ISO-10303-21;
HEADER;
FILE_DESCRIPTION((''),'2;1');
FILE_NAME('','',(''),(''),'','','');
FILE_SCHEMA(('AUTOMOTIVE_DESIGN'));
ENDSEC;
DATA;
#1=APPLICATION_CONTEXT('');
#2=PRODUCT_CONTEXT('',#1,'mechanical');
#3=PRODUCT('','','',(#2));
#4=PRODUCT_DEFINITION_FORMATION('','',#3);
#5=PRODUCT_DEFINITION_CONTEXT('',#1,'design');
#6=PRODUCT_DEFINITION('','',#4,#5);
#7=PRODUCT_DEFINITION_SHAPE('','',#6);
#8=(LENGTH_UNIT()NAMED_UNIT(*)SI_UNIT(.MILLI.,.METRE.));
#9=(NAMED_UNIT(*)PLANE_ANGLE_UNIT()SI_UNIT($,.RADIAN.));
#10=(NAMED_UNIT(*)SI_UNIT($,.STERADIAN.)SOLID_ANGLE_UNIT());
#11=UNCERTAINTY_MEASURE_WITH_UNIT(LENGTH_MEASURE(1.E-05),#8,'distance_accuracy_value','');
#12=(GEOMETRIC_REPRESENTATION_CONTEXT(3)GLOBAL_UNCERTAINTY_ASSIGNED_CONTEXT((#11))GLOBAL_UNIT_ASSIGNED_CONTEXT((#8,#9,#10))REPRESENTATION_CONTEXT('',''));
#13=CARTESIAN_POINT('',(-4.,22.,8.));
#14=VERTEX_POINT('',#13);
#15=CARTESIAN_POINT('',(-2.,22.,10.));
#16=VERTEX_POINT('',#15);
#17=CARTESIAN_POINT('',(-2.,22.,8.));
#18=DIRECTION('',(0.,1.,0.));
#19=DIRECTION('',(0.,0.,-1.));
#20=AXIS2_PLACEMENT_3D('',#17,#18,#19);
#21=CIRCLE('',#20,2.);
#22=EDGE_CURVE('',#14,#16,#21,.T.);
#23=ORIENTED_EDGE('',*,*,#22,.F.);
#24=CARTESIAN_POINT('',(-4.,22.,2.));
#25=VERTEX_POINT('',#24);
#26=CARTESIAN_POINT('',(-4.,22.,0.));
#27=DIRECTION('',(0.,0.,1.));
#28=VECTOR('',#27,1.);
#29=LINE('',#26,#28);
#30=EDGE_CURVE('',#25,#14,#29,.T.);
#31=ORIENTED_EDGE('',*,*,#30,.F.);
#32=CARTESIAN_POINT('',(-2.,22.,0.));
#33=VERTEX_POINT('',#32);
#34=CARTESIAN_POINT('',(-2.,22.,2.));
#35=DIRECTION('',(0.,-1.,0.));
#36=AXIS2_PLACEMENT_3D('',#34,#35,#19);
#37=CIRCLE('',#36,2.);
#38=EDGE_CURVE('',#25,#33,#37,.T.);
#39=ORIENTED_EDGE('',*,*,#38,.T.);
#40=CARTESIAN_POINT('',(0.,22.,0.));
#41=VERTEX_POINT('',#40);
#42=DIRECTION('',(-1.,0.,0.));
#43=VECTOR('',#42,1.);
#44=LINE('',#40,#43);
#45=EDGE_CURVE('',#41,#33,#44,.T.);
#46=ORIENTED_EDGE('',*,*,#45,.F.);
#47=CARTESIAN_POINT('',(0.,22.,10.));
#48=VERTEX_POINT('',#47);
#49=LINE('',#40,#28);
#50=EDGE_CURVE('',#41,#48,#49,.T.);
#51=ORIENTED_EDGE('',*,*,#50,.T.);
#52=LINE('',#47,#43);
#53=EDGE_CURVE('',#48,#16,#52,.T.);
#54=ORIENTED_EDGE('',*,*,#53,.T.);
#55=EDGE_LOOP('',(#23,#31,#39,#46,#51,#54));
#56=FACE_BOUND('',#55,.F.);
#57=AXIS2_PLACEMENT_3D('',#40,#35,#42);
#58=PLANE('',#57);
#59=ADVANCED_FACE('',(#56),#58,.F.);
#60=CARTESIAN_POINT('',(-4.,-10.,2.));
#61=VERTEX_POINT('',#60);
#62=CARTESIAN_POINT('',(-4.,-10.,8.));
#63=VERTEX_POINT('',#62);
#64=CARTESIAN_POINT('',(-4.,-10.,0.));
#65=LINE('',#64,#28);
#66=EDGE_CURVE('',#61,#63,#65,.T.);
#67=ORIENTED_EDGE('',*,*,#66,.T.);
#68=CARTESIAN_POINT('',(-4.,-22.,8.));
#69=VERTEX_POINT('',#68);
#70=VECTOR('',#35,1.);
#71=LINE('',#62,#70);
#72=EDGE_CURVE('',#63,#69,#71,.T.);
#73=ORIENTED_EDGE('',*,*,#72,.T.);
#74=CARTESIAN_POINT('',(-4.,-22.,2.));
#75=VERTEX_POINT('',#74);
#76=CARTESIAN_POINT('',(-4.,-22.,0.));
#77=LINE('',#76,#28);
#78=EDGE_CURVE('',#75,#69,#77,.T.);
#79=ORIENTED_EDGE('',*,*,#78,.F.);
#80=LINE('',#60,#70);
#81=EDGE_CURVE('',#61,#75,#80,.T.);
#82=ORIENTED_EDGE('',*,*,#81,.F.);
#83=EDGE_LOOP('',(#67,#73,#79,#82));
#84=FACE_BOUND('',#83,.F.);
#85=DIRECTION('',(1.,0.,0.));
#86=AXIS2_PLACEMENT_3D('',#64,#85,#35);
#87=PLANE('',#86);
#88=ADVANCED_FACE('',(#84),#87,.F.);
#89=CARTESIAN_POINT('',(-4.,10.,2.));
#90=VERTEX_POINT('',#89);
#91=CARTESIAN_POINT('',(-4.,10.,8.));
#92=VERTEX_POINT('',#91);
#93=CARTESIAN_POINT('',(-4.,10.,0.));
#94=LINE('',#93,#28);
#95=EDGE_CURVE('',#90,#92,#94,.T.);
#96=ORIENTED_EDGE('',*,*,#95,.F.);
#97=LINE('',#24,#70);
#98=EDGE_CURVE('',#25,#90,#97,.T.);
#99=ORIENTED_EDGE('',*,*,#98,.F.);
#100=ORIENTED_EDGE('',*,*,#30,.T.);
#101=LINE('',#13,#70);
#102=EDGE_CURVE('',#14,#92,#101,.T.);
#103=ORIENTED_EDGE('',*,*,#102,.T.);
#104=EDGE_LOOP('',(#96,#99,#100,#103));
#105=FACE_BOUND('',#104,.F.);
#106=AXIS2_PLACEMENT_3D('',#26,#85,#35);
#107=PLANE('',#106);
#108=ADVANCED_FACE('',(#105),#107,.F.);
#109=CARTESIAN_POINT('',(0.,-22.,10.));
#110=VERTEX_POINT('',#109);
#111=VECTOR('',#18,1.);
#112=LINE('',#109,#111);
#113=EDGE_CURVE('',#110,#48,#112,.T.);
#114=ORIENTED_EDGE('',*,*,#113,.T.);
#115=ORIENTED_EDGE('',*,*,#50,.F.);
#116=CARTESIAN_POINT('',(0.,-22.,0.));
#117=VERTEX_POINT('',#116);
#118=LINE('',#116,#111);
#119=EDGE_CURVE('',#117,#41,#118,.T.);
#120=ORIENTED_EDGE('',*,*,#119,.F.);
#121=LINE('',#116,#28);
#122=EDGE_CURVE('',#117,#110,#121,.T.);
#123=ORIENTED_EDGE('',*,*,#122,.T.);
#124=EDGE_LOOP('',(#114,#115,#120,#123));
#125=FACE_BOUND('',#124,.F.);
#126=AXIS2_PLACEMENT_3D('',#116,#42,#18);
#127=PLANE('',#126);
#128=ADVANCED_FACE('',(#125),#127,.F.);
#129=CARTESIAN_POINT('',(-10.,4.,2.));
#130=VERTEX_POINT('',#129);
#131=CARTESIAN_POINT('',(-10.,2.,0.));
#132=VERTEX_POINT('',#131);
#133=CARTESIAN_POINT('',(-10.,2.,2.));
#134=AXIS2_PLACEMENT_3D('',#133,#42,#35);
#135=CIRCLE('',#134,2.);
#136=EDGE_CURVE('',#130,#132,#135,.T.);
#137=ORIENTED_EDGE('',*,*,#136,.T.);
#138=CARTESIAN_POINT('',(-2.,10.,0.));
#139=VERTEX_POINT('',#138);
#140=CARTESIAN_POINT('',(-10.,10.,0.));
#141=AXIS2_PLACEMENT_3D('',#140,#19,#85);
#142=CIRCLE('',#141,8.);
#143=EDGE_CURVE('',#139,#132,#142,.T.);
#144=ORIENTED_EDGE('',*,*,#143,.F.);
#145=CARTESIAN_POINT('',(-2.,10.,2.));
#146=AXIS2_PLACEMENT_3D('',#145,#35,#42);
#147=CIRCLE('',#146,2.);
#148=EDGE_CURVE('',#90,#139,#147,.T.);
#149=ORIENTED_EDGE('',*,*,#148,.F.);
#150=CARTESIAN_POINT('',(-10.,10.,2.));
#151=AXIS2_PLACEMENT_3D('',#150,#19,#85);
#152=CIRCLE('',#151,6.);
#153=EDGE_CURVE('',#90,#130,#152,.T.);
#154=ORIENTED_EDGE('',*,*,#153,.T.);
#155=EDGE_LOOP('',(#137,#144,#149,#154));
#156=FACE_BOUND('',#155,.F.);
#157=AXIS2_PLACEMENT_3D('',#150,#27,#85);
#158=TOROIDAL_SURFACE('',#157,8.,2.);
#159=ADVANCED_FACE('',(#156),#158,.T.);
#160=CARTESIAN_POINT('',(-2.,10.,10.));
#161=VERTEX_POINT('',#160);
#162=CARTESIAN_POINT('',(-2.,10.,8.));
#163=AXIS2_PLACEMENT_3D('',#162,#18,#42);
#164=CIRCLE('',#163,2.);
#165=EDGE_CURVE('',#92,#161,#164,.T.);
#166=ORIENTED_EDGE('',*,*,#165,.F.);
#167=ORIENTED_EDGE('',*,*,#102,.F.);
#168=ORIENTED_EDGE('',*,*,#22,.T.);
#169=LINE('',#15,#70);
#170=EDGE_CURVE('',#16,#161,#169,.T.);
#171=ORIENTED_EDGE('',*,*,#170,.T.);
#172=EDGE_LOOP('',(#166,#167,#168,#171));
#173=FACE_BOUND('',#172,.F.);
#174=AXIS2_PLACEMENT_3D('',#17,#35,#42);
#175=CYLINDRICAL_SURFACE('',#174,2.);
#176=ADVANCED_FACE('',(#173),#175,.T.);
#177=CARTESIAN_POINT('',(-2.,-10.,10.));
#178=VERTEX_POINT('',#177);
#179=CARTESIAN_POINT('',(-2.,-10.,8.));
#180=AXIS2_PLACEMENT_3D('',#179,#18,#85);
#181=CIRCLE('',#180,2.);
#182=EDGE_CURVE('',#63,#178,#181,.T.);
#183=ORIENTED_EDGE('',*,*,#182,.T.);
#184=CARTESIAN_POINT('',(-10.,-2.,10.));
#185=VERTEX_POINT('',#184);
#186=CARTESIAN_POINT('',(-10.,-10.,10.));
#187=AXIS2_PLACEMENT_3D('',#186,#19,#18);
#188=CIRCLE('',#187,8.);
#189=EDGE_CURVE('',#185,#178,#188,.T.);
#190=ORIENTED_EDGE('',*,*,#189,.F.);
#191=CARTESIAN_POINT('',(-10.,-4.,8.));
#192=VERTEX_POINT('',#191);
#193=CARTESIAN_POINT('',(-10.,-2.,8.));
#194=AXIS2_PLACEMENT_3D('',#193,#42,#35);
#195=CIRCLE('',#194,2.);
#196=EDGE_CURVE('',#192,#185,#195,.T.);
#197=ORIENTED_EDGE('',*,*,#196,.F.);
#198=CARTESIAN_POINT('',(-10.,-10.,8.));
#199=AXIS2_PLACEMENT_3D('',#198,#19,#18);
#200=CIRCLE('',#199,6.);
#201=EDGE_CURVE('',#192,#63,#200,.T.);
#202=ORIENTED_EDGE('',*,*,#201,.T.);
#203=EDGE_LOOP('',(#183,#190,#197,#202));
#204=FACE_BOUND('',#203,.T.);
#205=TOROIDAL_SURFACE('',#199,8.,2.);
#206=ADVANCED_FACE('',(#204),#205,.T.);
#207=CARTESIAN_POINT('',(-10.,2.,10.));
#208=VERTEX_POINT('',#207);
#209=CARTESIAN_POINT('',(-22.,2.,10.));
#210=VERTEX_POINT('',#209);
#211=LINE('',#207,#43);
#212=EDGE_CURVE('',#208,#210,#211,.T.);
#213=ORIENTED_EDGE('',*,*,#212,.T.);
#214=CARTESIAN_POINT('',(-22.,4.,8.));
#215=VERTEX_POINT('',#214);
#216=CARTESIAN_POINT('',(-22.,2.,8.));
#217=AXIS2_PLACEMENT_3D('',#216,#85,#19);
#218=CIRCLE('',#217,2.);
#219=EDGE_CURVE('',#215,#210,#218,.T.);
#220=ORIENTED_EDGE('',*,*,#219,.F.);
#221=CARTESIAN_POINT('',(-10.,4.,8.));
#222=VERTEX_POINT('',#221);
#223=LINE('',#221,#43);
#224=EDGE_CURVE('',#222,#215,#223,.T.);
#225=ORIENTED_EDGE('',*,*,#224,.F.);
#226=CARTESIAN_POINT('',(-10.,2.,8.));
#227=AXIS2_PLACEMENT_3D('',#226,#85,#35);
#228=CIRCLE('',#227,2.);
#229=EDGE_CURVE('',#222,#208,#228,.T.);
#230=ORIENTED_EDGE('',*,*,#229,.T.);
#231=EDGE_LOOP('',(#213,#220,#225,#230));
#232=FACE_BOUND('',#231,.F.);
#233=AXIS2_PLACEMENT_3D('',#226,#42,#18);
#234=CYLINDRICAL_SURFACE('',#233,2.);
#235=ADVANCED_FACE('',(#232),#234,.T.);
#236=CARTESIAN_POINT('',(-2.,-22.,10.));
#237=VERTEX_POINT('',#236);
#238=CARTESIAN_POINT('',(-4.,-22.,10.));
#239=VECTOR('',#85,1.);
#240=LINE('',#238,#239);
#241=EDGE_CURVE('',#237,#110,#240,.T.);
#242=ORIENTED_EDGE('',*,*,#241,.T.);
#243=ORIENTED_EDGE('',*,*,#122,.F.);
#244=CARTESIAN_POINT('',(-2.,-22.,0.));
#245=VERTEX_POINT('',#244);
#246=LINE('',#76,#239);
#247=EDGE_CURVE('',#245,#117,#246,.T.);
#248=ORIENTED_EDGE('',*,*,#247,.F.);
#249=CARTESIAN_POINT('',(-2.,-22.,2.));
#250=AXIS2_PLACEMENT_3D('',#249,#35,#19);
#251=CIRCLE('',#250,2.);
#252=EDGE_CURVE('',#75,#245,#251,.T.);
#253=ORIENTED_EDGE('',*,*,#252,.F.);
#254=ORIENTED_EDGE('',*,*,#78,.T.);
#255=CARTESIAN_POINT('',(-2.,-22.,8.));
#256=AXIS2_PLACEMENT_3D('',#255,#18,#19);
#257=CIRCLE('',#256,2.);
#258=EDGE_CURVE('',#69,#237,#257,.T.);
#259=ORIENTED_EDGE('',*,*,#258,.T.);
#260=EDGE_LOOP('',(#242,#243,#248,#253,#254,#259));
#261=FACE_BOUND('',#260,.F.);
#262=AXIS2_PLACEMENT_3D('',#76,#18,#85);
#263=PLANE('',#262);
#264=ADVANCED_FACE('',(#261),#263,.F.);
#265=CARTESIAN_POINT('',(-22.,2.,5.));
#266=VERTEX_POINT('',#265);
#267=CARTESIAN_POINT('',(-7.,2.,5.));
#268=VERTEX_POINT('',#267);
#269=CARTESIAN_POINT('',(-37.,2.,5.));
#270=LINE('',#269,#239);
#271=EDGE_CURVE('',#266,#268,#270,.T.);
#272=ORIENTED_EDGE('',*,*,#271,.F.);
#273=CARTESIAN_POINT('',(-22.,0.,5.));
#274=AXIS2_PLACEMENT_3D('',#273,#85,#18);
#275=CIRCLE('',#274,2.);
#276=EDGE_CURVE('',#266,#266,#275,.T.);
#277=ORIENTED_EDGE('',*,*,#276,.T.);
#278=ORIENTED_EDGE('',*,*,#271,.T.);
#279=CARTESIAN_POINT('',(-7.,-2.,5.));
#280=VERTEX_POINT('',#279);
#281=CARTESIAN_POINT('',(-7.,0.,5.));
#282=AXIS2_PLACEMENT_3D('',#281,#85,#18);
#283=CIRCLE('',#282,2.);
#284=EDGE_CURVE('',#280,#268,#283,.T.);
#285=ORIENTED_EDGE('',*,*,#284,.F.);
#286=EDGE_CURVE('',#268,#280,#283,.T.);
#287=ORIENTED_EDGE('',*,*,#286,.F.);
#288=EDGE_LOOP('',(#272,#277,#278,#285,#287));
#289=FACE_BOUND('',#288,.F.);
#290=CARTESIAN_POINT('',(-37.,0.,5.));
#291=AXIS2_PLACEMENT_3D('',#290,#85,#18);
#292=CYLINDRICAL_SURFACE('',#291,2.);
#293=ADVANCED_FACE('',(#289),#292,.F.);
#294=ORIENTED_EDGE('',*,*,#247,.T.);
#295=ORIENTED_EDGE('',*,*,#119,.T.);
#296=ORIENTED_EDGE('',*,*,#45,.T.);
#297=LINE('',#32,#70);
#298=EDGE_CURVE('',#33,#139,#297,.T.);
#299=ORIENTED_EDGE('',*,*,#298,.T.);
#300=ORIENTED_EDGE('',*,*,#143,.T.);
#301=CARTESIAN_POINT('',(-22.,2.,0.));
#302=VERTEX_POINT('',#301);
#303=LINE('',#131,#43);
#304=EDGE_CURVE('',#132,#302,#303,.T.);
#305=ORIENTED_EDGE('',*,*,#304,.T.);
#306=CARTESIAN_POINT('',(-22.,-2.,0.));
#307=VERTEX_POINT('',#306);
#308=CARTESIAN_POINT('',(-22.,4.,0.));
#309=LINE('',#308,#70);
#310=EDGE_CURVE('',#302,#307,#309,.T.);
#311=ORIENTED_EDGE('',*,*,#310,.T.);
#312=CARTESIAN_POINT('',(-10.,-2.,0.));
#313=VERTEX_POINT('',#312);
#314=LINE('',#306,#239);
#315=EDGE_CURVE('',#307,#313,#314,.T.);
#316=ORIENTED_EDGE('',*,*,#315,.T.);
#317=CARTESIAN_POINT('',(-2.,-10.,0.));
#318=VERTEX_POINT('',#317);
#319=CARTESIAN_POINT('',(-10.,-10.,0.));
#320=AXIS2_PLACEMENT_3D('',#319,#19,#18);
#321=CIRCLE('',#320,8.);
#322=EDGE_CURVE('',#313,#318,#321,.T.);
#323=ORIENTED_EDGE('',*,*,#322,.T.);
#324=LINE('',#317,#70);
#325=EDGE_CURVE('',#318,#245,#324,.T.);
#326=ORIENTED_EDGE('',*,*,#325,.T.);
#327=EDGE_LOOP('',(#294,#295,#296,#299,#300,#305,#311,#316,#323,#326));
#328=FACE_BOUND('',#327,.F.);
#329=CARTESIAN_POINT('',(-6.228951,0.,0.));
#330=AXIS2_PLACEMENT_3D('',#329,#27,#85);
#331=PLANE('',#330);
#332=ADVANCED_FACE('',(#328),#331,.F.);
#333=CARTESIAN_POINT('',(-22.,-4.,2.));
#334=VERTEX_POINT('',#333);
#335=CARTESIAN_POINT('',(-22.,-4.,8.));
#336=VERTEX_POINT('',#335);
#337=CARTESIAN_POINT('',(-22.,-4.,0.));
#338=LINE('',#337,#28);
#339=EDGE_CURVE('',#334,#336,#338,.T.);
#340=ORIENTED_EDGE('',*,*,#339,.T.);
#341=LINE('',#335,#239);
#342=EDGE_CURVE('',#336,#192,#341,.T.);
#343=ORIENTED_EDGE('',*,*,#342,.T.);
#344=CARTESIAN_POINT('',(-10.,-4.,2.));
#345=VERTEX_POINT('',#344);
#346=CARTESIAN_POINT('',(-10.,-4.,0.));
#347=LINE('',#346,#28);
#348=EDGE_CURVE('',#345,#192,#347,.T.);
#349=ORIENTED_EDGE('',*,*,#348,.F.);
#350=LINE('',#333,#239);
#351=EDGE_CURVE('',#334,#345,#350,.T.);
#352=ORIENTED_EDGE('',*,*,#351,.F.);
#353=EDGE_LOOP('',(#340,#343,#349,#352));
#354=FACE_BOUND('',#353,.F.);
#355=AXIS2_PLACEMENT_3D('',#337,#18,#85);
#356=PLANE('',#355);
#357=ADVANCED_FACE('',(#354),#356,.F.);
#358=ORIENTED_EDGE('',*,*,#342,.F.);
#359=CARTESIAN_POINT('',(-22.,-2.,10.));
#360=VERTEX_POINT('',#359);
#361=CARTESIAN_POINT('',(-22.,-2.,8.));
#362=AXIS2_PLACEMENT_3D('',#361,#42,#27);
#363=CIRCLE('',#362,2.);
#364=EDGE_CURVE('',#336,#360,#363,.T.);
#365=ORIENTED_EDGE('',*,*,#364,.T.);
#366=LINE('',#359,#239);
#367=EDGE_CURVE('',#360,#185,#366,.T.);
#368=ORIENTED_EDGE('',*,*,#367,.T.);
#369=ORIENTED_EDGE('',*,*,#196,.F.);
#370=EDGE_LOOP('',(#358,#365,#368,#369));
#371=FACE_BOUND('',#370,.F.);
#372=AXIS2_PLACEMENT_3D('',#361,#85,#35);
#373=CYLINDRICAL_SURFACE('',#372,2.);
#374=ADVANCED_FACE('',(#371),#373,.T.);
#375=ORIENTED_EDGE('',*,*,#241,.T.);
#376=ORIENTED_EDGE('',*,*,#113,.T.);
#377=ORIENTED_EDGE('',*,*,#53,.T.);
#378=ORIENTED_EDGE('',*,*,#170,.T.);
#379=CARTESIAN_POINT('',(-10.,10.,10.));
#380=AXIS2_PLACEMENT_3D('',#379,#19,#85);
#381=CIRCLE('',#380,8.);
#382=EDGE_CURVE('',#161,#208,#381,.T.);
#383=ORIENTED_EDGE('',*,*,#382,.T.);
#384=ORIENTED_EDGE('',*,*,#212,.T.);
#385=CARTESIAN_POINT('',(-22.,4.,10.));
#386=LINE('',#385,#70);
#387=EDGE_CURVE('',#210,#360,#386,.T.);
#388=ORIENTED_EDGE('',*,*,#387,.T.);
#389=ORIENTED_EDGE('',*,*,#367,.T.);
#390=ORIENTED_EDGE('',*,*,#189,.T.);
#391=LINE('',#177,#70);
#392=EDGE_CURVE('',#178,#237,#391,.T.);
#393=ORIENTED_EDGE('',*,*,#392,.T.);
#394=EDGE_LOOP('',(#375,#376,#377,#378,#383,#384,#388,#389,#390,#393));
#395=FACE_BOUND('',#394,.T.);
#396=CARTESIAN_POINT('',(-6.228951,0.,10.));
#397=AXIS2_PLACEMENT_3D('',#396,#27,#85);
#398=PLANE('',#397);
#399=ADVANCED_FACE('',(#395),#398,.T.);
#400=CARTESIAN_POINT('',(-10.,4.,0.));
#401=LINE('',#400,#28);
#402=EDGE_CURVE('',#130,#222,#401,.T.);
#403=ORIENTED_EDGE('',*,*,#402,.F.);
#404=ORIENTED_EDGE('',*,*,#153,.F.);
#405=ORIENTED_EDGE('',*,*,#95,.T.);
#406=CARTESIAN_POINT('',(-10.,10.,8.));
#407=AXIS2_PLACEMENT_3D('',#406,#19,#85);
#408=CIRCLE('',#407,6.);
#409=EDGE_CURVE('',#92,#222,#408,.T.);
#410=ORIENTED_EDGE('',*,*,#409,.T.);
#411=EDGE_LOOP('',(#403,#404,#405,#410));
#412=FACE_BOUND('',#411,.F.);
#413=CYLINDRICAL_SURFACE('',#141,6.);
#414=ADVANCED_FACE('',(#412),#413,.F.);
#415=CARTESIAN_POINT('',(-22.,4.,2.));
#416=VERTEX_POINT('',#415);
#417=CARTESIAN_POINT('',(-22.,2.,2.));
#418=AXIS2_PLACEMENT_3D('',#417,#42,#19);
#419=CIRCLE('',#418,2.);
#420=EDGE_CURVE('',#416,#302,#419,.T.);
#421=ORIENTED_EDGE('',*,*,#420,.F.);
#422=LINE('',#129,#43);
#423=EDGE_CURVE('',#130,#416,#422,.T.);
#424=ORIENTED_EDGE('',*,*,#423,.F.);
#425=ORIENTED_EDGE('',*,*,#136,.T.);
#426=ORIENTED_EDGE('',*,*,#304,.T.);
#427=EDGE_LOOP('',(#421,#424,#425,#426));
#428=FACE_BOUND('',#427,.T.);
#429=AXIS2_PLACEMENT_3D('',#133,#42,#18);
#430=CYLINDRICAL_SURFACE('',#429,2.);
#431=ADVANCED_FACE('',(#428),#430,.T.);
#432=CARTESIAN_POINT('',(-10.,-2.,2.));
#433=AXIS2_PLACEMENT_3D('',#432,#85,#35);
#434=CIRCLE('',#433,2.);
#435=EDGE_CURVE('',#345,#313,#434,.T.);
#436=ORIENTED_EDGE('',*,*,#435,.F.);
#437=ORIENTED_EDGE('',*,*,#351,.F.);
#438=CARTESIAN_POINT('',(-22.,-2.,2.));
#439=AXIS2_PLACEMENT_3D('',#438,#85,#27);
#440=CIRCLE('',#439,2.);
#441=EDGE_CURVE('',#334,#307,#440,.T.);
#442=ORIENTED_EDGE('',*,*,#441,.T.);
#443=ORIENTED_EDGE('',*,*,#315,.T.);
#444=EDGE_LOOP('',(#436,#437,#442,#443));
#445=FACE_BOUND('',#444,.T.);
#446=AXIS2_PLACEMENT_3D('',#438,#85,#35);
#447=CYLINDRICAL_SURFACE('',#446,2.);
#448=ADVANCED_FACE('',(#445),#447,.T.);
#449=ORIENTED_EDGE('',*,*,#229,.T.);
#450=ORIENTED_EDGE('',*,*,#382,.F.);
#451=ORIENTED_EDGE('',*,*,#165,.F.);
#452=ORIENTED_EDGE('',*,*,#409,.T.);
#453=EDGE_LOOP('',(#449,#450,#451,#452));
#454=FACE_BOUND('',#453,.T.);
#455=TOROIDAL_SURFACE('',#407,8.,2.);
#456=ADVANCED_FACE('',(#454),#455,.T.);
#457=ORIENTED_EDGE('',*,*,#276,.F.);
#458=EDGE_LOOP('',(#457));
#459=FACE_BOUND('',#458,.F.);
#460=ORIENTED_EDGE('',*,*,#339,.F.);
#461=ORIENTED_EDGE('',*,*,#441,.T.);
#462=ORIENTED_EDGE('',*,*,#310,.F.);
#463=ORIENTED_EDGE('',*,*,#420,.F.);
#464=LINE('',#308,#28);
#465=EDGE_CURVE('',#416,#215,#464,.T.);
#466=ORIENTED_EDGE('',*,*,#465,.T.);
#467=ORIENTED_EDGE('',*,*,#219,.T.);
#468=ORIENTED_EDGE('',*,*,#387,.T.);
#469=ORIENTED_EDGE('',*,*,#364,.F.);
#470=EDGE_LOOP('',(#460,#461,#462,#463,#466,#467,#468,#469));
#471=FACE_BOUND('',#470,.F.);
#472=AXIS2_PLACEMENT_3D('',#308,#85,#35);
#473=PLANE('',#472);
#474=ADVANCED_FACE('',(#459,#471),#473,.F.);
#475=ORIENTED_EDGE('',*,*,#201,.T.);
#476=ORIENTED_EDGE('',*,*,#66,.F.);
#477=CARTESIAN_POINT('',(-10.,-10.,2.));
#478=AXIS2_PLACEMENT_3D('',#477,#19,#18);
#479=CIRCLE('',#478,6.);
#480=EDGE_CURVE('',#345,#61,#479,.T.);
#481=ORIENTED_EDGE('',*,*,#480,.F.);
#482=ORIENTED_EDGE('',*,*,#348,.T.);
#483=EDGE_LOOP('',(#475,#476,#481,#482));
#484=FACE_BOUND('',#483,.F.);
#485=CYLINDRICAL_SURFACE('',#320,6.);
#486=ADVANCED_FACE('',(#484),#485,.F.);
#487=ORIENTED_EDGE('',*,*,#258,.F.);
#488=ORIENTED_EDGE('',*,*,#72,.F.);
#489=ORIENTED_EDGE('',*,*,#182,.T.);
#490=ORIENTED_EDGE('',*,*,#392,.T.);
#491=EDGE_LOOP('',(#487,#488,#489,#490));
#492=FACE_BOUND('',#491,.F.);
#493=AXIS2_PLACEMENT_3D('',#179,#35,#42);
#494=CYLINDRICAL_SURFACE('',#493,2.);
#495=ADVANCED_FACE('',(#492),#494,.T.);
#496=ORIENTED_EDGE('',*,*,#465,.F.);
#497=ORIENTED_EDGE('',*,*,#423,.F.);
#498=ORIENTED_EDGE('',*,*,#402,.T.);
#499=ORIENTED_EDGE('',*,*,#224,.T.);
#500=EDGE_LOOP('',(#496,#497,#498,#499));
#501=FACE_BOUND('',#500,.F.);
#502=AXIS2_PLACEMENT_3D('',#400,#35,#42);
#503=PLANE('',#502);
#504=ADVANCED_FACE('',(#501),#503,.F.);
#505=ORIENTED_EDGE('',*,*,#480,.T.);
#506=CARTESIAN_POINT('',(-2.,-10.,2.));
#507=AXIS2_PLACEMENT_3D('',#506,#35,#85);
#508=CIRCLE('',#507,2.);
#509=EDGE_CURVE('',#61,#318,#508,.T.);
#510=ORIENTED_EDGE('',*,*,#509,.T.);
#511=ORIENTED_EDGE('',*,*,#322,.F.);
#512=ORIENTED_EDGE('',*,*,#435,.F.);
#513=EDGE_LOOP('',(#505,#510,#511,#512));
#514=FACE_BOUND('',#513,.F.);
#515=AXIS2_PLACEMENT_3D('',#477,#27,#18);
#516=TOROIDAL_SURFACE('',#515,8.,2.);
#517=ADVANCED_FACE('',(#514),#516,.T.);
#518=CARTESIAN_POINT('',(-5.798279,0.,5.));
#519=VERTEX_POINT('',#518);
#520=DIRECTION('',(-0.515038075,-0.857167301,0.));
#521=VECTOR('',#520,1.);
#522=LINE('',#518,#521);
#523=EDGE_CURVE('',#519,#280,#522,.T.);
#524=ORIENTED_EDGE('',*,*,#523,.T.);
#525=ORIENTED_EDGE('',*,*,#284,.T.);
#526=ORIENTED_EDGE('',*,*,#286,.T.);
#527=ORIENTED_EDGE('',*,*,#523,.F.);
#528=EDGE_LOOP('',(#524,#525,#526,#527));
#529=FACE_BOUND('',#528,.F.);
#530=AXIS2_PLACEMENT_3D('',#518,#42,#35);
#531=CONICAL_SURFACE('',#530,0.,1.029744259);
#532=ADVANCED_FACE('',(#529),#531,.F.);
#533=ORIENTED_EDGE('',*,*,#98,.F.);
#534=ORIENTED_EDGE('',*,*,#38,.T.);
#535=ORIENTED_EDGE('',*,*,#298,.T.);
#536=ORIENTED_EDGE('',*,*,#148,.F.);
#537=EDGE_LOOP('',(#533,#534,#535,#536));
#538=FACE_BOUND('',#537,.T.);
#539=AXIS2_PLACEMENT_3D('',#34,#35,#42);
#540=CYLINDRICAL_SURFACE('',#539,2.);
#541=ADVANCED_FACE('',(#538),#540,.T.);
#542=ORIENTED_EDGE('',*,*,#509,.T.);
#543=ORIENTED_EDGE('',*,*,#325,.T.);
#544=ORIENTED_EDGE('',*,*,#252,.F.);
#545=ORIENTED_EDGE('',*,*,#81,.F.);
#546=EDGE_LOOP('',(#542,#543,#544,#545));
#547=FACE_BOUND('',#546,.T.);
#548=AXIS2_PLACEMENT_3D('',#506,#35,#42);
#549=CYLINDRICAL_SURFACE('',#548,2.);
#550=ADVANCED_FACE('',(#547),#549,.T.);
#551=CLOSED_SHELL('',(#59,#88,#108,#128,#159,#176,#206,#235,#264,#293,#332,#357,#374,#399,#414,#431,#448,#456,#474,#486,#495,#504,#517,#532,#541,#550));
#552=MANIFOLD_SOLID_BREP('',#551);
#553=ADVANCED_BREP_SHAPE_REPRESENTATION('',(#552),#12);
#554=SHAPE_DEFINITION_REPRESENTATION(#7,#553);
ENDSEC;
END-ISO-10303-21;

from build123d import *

# Parameters (mm, degrees)
F1_DEPTH = 10
F2_R     = 2
F4_D     = 4
F4_DEPTH = 15
F4_TIP   = 1.2017212381


with BuildPart() as f1:
    # F0 (on Top) → F1 (new body)
    with BuildSketch(Plane.XY):
        with BuildLine():
            Line((0, -22), (0, 0))
            Line((0, 0), (0, 22))
            Line((0, 22), (-4, 22))
            Line((-4, 22), (-4, 10))
            ThreePointArc((-4, 10), (-5.7573593129, 5.7573593129), (-10, 4))
            Line((-10, 4), (-22, 4))
            Line((-22, 4), (-22, 0))
            Line((-22, 0), (-22, -4))
            Line((-22, -4), (-10, -4))
            ThreePointArc((-10, -4), (-5.7573593129, -5.7573593129), (-4, -10))
            Line((-4, -10), (-4, -22))
            Line((-4, -22), (0, -22))
        make_face()
    extrude(amount=F1_DEPTH)

    # F2
    f2_edges = [f1.edges().sort_by_distance(p)[0] for p in [
        (-5.757359, -5.757359, 10),
        (-4, 16, 10),
        (-5.757359, -5.757359, 0),
        (-5.757359, 5.757359, 0),
    ]]
    fillet(f2_edges, radius=F2_R)

    # F4
    with Locations(Plane(origin=(-22, 0, 0), x_dir=(0, -1, 0), z_dir=(-1, 0, 0))):
        with Locations((0, 5)):
            Hole(F4_D / 2, depth=F4_DEPTH)
            with Locations((0, 0, -(F4_DEPTH + F4_TIP / 2))):  # 118° drill point
                Cone(0, F4_D / 2, F4_TIP, mode=Mode.SUBTRACT)


solid = f1.part
